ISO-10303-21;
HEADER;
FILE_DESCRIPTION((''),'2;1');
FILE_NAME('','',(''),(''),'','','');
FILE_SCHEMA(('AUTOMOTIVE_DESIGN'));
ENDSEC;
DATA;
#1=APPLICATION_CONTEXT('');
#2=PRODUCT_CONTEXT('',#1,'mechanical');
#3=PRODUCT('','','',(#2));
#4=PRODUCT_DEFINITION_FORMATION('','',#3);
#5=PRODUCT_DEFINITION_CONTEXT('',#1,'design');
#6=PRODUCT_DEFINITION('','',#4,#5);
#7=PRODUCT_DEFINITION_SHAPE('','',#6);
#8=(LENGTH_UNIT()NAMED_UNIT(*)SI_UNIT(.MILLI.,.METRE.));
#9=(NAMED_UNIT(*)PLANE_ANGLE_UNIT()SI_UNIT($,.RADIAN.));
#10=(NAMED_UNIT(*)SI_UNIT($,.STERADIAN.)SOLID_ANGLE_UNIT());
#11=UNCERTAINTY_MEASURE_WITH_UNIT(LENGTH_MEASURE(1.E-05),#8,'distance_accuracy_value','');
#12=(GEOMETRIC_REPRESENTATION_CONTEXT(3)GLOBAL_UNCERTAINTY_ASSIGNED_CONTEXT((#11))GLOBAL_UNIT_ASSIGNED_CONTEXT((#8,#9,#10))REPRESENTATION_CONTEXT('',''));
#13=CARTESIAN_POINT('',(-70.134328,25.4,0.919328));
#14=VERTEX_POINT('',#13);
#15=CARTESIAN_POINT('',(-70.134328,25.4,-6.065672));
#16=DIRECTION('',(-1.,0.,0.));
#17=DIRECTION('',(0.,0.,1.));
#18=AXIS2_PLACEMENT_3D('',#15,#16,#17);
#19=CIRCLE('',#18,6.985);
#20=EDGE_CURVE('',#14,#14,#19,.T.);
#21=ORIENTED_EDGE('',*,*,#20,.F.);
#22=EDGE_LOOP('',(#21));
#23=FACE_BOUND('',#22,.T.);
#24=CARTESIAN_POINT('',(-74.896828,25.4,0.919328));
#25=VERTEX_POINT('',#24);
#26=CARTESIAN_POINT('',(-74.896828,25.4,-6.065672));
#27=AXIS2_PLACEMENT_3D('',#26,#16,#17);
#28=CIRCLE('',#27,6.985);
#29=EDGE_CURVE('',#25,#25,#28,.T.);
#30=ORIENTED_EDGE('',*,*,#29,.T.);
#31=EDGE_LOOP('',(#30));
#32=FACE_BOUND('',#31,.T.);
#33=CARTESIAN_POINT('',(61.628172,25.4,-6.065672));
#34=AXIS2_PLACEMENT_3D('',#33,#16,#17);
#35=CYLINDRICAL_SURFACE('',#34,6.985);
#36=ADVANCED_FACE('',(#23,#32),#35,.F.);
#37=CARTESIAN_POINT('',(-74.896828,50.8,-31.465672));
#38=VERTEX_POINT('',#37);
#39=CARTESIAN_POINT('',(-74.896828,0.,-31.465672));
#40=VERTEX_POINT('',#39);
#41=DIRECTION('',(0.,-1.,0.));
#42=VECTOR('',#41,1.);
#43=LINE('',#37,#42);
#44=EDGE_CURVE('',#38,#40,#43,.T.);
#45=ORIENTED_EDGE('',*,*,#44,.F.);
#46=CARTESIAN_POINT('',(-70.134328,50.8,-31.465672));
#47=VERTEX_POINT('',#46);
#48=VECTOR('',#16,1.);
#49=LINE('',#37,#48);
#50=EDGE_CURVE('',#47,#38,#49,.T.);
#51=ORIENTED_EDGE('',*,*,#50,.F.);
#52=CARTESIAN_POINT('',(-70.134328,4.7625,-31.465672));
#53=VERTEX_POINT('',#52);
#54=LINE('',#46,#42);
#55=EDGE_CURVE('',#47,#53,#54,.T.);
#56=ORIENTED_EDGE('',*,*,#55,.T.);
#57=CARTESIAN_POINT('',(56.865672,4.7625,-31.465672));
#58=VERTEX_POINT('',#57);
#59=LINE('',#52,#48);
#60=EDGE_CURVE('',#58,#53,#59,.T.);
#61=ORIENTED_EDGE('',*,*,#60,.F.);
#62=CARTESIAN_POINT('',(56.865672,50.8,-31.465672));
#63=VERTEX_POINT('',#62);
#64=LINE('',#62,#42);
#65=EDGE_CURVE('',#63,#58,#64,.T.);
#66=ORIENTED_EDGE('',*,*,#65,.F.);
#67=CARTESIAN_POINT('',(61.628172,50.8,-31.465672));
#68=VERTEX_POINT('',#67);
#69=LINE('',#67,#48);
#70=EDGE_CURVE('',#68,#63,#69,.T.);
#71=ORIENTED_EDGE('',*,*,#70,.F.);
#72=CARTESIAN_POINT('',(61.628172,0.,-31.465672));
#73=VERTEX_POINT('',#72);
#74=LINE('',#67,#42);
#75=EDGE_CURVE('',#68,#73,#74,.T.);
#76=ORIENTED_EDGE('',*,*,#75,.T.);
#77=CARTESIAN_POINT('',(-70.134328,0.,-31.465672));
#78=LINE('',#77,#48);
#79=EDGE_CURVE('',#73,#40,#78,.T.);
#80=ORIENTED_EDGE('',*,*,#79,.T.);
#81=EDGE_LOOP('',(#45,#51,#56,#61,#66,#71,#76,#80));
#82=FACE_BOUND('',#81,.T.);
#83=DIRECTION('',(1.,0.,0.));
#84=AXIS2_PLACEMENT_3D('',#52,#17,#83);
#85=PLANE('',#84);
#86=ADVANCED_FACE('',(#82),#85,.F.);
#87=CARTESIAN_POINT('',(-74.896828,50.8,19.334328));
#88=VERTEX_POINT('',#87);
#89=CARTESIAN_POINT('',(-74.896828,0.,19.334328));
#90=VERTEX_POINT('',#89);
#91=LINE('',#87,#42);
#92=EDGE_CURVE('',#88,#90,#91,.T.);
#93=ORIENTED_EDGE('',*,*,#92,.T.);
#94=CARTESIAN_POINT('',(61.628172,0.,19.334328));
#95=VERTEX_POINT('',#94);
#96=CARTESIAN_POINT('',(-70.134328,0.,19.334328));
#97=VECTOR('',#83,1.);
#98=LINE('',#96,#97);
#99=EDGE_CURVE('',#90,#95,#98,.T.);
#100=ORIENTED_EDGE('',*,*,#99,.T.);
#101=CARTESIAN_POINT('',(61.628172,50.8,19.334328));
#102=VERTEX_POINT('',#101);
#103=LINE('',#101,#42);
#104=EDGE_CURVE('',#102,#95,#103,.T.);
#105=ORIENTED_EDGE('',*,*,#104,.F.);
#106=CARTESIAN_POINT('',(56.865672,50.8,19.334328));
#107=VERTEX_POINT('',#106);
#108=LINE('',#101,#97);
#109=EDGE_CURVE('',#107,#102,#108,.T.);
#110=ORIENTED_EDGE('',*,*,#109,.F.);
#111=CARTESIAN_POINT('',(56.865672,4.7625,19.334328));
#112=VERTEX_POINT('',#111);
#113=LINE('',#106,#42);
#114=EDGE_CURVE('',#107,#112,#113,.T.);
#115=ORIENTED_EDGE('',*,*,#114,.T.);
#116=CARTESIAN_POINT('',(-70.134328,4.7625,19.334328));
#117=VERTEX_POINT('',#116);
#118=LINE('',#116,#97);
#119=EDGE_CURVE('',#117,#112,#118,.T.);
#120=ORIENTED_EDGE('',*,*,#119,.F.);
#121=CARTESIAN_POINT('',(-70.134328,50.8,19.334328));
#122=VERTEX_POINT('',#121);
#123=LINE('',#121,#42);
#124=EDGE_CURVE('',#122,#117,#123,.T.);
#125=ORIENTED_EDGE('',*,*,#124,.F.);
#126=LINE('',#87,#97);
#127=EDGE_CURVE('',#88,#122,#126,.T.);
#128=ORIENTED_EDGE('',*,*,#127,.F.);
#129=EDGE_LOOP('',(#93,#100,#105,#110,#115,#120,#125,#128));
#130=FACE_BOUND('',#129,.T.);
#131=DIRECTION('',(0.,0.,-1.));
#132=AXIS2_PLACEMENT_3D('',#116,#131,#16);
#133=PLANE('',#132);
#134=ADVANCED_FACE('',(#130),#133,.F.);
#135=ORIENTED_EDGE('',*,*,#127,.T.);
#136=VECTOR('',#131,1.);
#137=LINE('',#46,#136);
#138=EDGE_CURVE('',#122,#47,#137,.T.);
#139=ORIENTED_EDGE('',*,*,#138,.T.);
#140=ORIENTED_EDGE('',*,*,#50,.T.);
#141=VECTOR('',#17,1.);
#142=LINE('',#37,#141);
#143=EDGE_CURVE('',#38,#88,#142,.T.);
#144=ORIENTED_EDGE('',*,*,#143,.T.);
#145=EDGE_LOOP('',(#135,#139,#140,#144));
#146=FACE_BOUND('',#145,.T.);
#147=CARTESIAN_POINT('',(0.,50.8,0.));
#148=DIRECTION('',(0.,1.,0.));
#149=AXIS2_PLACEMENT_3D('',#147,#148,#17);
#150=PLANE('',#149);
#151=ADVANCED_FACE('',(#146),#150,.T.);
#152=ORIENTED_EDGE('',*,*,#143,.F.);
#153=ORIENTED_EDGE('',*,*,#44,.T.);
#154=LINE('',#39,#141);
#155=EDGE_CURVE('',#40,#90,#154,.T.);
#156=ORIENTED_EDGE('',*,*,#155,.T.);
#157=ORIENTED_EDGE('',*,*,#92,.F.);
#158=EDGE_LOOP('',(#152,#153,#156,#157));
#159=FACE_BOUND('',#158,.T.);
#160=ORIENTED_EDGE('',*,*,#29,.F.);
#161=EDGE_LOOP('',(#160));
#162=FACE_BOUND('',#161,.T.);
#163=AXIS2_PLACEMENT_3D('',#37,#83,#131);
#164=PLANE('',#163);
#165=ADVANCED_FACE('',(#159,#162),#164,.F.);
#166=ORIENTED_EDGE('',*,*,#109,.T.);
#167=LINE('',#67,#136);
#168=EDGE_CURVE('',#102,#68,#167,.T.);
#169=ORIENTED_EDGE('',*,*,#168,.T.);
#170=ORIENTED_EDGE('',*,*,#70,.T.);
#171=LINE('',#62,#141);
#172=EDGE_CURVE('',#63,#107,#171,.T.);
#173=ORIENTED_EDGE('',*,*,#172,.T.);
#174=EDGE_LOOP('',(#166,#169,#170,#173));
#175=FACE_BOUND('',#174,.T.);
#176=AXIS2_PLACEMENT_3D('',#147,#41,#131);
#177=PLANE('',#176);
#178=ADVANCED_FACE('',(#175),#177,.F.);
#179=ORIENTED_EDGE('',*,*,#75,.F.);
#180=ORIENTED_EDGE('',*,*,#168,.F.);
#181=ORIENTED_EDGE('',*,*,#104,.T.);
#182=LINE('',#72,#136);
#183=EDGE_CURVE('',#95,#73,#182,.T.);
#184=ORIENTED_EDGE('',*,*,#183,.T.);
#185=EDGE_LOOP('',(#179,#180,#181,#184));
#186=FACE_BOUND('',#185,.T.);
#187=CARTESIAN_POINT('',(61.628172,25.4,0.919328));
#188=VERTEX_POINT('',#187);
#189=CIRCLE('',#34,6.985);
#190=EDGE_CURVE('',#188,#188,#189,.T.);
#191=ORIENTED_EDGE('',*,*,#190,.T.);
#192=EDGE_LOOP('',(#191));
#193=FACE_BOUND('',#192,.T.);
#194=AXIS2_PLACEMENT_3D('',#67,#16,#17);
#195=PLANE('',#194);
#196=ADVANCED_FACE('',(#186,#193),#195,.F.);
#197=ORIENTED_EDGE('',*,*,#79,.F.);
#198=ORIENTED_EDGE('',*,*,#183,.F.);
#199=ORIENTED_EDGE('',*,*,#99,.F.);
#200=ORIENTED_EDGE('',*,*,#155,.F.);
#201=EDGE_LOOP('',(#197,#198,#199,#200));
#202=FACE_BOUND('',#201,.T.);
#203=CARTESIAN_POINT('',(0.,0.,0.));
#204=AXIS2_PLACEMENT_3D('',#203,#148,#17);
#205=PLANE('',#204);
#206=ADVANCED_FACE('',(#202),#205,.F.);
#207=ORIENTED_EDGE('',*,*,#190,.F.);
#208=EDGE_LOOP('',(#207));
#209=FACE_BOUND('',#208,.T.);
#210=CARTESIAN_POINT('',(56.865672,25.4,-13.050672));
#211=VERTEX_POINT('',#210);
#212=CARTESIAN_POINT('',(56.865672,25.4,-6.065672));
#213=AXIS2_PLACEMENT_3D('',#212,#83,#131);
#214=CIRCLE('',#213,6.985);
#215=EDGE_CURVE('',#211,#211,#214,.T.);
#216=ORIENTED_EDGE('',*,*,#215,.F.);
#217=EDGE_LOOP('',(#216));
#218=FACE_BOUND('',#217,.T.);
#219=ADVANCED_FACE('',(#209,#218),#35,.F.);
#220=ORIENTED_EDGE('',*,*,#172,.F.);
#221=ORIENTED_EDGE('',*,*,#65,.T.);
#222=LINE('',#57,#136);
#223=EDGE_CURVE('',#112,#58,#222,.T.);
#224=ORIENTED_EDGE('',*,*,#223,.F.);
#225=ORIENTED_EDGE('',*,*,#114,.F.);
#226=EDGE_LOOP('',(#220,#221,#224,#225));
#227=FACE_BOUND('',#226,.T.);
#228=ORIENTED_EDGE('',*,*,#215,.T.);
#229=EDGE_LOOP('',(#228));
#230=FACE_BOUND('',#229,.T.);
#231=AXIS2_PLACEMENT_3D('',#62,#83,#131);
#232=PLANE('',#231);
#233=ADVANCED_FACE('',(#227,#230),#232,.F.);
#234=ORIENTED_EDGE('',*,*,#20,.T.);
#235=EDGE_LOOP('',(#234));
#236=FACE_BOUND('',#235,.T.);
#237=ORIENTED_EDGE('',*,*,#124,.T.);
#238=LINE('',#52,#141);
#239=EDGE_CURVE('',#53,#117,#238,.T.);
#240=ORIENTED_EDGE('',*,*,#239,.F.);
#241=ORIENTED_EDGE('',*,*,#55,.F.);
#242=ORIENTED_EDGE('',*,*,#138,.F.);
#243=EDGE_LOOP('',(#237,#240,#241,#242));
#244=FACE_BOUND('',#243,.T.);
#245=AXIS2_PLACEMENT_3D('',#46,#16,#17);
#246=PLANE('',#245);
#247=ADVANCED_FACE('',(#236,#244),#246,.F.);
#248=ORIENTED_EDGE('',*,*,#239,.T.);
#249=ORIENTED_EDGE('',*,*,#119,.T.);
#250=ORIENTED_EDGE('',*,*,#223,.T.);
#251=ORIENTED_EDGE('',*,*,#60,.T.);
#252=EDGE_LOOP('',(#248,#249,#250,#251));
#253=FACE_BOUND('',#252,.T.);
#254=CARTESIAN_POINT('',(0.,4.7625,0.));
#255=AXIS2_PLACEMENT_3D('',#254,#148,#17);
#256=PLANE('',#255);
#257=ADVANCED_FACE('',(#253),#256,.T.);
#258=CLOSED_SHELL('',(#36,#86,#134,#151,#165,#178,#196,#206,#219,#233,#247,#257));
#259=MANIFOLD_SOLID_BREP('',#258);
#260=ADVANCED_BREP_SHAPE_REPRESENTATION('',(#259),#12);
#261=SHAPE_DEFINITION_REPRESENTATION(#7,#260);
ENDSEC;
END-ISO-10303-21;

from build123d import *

# Parameters (mm, degrees)
SKETCH1_W           = 127
SKETCH1_H           = 50.8
BOSS_EXTRUDE2_DEPTH = 4.7625
SKETCH3_W           = 4.7625
SKETCH3_H           = 50.8
BOSS_EXTRUDE3_DEPTH = 50.8
SKETCH4_R           = 6.985
CUT_EXTRUDE1_DEPTH  = 137.525


with BuildPart() as part:
    # Sketch1 → Boss-Extrude2 (new body)
    with BuildSketch(Plane(origin=(0, 0, 0), x_dir=(1, 0, 0), z_dir=(0, 1, 0))):
        with Locations((-6.634328358, 6.065671642)):
            Rectangle(SKETCH1_W, SKETCH1_H)
    extrude(amount=BOSS_EXTRUDE2_DEPTH)

    # Sketch3 → Boss-Extrude3 (add)
    with BuildSketch(Plane(origin=(0, 0, 0), x_dir=(1, 0, 0), z_dir=(0, 1, 0))):
        with Locations((59.246921642, 6.065671642)):
            Rectangle(SKETCH3_W, SKETCH3_H)
        with Locations((-72.515578358, 6.065671642)):
            Rectangle(SKETCH3_W, SKETCH3_H)
    extrude(amount=BOSS_EXTRUDE3_DEPTH)

    # Sketch4 → Cut-Extrude1 (cut, through all)
    with BuildSketch(Plane.ZY.offset(74.896828358)):
        with Locations((-6.065671642, 25.4)):
            Circle(SKETCH4_R)
    extrude(amount=-CUT_EXTRUDE1_DEPTH, mode=Mode.SUBTRACT)


solid = part.part
